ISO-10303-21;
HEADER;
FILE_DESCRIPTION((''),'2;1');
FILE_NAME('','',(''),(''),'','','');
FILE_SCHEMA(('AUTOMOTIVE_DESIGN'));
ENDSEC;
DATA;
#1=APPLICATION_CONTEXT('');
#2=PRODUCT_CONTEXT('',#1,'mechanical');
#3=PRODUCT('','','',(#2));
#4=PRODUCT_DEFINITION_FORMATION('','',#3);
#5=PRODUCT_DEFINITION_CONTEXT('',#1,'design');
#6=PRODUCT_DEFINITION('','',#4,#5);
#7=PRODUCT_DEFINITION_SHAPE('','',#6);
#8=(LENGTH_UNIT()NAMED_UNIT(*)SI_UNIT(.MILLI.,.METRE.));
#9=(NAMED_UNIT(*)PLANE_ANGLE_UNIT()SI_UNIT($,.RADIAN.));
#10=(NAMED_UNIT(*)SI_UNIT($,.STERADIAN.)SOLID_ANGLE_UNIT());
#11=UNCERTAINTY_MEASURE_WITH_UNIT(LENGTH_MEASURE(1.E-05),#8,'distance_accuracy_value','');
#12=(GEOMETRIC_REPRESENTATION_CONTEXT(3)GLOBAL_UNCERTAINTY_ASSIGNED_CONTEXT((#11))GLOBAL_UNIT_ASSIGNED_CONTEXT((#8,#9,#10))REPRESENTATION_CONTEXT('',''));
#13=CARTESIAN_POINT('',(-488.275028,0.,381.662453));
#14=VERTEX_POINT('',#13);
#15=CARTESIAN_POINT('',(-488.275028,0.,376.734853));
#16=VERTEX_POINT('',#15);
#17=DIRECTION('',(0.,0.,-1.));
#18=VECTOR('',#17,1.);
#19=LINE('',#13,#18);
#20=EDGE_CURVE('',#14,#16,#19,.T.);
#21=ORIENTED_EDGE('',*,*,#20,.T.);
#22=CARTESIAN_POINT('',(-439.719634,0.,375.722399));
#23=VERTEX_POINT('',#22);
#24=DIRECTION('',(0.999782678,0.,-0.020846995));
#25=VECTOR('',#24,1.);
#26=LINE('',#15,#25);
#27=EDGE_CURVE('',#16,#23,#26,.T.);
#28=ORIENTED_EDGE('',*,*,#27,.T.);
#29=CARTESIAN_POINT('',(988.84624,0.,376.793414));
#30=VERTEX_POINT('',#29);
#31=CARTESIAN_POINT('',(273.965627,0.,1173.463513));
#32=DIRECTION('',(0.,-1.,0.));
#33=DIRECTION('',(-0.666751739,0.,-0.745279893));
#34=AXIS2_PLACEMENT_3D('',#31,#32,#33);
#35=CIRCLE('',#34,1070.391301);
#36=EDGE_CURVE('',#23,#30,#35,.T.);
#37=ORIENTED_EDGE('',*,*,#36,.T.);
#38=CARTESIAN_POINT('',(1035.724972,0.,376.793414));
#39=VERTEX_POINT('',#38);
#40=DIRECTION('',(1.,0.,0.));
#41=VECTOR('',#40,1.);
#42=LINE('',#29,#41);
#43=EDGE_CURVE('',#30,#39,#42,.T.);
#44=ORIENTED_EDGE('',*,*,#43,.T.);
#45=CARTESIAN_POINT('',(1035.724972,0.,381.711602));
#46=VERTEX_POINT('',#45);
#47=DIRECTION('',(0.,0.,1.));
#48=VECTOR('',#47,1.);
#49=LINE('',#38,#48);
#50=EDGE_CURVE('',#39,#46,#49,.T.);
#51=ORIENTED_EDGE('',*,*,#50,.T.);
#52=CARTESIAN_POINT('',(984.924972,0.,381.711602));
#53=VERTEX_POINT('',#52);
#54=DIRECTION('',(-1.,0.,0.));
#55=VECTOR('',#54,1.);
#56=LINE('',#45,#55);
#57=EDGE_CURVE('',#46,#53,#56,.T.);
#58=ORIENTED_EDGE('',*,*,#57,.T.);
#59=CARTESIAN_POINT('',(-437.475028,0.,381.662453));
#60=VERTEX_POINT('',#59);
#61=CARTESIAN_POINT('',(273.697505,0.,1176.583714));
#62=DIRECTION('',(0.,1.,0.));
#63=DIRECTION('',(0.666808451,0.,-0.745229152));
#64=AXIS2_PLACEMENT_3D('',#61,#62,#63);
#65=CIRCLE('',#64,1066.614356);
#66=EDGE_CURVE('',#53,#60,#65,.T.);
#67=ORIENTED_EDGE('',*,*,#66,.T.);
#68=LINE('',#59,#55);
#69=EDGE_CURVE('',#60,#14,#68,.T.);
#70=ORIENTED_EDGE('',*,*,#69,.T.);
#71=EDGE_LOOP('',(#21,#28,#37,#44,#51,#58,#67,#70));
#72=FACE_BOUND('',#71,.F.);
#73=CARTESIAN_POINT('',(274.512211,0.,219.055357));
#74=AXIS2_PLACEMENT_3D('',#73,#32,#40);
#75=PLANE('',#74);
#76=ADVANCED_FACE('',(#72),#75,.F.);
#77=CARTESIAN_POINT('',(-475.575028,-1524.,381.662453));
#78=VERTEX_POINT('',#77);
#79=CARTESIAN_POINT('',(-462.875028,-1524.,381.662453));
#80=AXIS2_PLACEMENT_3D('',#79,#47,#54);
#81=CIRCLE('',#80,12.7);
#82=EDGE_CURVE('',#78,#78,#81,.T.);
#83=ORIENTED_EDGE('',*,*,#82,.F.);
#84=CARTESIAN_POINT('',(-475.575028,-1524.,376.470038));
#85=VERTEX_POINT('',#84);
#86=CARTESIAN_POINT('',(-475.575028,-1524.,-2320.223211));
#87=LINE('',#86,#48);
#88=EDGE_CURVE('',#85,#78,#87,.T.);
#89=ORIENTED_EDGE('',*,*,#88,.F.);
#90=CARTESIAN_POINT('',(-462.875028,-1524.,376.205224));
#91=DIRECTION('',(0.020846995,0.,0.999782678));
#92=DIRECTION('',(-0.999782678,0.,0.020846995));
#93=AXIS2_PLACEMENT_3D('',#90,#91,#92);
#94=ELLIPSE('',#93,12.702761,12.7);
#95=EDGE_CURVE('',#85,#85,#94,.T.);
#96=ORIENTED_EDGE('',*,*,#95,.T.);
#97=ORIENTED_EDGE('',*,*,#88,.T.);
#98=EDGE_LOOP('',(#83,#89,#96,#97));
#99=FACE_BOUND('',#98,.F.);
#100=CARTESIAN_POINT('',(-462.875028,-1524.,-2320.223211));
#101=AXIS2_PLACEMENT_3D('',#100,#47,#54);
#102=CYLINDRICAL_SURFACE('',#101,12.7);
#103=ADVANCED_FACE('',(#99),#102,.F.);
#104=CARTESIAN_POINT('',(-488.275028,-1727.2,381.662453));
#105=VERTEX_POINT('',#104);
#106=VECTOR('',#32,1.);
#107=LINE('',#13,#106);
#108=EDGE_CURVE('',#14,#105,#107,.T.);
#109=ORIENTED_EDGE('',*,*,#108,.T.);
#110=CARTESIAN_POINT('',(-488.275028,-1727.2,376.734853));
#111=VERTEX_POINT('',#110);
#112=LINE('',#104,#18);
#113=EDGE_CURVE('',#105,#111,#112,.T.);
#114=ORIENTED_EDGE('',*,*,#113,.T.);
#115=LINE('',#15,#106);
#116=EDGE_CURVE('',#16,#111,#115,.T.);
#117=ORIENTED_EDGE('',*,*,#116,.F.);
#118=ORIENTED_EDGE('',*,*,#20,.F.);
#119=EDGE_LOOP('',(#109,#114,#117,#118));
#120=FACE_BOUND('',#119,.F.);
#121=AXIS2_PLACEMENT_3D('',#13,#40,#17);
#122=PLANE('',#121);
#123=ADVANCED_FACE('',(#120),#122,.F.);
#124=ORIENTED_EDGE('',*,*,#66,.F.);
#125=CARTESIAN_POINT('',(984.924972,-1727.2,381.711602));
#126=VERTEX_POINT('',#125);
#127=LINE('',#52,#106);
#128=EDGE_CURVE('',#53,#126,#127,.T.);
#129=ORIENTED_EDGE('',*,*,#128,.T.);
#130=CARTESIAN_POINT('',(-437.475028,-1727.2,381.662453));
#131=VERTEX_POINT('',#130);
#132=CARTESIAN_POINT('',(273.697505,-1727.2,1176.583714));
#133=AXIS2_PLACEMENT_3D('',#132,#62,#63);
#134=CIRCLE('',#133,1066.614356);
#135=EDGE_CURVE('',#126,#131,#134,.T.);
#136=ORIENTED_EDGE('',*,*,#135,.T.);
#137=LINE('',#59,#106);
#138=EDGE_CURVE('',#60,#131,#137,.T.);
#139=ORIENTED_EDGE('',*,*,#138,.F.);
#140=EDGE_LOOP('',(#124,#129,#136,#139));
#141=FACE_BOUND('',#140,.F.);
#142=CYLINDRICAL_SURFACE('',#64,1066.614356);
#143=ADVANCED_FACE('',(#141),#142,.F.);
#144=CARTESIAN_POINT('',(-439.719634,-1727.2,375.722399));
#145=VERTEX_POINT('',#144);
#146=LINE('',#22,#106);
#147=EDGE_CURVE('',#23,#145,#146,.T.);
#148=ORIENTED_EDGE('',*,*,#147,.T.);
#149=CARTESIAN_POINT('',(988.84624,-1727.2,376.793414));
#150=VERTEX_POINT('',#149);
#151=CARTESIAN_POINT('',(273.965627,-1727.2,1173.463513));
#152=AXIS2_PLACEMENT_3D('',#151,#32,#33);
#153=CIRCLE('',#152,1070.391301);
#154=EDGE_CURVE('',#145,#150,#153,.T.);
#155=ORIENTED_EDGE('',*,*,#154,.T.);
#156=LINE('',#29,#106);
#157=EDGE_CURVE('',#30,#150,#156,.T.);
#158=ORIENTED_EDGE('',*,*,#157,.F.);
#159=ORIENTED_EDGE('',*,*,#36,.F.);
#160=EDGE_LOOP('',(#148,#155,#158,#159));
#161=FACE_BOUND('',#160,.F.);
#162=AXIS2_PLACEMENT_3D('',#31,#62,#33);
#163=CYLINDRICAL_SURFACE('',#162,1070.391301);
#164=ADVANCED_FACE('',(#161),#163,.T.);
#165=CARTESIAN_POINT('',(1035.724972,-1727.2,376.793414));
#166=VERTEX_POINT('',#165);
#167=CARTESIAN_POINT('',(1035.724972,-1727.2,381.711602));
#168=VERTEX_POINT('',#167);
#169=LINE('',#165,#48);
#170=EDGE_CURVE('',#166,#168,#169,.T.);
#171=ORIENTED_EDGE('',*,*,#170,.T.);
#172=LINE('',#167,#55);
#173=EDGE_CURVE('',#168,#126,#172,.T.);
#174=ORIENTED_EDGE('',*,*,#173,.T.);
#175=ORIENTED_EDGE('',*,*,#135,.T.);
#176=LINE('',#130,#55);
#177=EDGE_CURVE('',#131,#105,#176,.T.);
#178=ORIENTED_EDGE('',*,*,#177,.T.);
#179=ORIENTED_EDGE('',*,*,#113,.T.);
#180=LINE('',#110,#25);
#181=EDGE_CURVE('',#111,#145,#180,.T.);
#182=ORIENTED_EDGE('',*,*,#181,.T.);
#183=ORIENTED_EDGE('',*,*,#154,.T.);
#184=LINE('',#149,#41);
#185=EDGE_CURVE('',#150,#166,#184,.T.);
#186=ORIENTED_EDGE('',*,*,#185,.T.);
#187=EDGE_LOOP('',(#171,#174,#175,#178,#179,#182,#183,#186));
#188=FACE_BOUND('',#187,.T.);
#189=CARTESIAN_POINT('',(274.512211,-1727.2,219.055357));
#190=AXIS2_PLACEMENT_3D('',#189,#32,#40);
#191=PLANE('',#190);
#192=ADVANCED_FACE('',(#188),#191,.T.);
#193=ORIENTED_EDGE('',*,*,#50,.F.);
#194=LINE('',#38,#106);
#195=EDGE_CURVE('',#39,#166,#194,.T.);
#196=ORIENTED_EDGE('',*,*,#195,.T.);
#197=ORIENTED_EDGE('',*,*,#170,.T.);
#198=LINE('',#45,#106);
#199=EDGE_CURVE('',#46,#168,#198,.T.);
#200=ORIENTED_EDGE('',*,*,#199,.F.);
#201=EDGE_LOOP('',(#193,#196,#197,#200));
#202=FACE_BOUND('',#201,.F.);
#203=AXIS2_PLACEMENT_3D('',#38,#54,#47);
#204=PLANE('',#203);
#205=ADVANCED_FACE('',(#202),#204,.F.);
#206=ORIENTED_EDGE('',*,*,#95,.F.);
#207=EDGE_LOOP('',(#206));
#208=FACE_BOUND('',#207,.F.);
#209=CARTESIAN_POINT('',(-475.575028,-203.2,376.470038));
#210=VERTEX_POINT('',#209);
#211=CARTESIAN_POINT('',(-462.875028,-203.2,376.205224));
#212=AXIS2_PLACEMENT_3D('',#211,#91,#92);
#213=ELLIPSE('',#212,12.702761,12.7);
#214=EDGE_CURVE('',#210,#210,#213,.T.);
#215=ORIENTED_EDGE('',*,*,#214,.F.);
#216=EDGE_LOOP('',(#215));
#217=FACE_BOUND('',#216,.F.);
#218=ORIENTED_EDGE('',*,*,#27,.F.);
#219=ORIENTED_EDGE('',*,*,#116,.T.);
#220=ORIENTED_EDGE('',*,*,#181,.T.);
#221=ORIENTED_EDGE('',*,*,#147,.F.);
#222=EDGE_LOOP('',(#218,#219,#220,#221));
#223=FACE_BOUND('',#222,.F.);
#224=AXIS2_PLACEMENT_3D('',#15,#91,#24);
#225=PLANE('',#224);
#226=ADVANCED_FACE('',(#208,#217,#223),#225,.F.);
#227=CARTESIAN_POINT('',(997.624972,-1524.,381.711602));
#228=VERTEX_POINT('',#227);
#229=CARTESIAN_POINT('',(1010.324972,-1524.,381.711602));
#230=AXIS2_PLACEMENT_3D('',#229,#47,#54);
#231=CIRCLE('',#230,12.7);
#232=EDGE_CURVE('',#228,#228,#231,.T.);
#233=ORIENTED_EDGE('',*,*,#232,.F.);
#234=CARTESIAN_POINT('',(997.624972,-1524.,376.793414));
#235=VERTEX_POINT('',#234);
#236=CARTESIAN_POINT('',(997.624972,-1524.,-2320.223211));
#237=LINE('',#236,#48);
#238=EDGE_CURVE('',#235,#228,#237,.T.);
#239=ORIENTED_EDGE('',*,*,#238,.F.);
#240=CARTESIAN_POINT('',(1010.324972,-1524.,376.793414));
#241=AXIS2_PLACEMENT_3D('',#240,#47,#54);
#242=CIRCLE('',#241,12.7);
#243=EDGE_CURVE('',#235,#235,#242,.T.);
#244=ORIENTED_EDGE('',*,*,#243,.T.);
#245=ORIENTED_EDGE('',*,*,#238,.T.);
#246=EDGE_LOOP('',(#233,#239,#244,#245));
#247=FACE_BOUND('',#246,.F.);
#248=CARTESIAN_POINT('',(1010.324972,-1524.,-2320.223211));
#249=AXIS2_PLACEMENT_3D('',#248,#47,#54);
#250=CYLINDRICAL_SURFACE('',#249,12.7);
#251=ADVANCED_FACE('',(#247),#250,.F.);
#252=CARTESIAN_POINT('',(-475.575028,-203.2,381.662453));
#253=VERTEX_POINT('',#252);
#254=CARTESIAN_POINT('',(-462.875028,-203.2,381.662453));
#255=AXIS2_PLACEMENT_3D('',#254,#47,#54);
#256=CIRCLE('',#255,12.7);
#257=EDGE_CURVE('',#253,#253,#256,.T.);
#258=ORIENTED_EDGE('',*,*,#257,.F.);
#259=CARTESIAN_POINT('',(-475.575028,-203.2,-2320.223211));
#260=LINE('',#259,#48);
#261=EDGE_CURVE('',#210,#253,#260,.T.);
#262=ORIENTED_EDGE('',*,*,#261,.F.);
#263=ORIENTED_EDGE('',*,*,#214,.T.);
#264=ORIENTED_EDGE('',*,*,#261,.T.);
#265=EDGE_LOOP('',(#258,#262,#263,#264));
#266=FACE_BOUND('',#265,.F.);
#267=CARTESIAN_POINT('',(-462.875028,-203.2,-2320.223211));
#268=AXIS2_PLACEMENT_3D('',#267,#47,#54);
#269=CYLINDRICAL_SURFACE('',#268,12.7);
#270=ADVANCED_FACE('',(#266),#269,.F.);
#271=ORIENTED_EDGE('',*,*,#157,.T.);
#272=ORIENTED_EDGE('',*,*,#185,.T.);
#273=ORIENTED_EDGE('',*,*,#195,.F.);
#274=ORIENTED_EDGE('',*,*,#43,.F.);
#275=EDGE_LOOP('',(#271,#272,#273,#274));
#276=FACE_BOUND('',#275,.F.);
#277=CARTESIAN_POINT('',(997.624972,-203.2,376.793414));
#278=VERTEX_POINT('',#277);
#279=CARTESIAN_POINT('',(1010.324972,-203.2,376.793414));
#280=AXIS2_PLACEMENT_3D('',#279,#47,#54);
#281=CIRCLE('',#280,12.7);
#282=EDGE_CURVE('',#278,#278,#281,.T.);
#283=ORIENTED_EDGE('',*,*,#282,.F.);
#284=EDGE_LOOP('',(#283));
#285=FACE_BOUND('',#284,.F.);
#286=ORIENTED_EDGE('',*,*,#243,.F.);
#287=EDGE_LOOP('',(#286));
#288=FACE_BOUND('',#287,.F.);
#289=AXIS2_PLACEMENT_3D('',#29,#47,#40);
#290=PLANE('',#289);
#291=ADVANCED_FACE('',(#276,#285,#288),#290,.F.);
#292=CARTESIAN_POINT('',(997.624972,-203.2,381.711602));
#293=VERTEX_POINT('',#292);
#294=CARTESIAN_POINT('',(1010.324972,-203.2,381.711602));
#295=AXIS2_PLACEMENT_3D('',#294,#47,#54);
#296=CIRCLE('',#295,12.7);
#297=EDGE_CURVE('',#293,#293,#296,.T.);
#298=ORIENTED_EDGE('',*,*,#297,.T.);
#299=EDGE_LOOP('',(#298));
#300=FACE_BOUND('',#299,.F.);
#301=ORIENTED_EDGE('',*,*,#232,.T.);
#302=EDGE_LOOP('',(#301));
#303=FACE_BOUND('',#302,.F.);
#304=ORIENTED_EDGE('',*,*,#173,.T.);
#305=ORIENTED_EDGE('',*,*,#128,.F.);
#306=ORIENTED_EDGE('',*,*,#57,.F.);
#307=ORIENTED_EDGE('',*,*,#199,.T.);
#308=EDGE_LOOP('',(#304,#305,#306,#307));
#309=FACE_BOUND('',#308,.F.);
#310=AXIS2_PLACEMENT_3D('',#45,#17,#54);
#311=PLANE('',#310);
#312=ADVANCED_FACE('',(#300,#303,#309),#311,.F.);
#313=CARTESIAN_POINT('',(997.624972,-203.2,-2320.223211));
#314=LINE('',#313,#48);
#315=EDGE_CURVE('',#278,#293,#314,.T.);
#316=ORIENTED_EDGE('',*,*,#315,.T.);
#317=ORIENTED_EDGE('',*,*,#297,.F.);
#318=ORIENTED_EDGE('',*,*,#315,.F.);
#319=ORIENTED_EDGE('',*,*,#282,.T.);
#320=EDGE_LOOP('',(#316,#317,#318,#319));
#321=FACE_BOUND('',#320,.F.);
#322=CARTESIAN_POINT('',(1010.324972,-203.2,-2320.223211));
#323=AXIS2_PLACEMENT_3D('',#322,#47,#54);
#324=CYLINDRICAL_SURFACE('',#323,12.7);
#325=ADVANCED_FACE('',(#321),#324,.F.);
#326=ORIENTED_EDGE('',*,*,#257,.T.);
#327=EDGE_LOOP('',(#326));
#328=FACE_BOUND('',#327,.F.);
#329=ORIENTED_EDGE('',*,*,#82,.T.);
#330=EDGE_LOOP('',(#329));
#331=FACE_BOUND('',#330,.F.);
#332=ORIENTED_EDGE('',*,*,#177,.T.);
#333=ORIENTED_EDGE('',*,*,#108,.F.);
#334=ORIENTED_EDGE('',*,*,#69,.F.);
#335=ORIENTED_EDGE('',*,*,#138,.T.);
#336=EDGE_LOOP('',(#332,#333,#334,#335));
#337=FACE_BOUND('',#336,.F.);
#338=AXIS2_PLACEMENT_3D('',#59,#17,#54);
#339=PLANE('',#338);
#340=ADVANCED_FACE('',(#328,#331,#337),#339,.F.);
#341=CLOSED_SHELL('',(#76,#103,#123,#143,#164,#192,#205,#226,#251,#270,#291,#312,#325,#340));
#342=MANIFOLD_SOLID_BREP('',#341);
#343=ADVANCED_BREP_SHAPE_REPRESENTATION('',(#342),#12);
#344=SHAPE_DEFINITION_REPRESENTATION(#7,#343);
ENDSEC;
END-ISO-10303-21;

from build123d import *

# Parameters (mm, degrees)
F1_DEPTH = 1727.2
F3_D     = 25.4


with BuildPart() as f1:
    # F0 (on Front) → F1 (new body)
    with BuildSketch(Plane.XZ):
        with BuildLine():
            ThreePointArc((984.9249720573, 381.711602211), (273.7343609535, 109.9693591654), (-437.4750279427, 381.6624527908))
            Line((-437.4750279427, 381.6624527908), (-439.7196343216, 375.7223987336))
            ThreePointArc((-439.7196343228, 375.7223987323), (274.7681137955, 103.0725126754), (988.8462401673, 376.7934143531))
            ThreePointArc((988.8462401673, 376.7934143531), (989.335778578, 377.2329663671), (989.8250467256, 377.672819193))
            Line((989.8250467244, 377.6728191942), (984.9249720573, 381.711602211))
        make_face()
        Polygon((-439.7196343216, 375.7223987336), (-437.4750279427, 381.6624527908), (-488.2750279427, 381.6624527908), (-488.2750279427, 376.7348527908), align=None)
        with BuildLine():
            Line((1035.7249720573, 381.711602211), (984.9249720573, 381.711602211))
            Line((984.9249720573, 381.711602211), (989.8250467244, 377.6728191942))
            ThreePointArc((989.8250467256, 377.672819193), (989.335778578, 377.2329663671), (988.8462401673, 376.7934143531))
            Line((988.8462401662, 376.7934143543), (1035.7249720573, 376.7934143543))
            Line((1035.7249720573, 376.7934143543), (1035.7249720573, 381.711602211))
        make_face()
    extrude(amount=F1_DEPTH)

    # F3 (through all)
    with Locations(Plane(origin=(0, 0, 0), x_dir=(1, 0, 0), z_dir=(0, 0, -1))):
        with Locations((1010.3249720573, 203.2), (1010.3249720573, 1524), (-462.8750279427, 1524), (-462.8750279427, 203.2)):
            Hole(F3_D / 2)


solid = f1.part
